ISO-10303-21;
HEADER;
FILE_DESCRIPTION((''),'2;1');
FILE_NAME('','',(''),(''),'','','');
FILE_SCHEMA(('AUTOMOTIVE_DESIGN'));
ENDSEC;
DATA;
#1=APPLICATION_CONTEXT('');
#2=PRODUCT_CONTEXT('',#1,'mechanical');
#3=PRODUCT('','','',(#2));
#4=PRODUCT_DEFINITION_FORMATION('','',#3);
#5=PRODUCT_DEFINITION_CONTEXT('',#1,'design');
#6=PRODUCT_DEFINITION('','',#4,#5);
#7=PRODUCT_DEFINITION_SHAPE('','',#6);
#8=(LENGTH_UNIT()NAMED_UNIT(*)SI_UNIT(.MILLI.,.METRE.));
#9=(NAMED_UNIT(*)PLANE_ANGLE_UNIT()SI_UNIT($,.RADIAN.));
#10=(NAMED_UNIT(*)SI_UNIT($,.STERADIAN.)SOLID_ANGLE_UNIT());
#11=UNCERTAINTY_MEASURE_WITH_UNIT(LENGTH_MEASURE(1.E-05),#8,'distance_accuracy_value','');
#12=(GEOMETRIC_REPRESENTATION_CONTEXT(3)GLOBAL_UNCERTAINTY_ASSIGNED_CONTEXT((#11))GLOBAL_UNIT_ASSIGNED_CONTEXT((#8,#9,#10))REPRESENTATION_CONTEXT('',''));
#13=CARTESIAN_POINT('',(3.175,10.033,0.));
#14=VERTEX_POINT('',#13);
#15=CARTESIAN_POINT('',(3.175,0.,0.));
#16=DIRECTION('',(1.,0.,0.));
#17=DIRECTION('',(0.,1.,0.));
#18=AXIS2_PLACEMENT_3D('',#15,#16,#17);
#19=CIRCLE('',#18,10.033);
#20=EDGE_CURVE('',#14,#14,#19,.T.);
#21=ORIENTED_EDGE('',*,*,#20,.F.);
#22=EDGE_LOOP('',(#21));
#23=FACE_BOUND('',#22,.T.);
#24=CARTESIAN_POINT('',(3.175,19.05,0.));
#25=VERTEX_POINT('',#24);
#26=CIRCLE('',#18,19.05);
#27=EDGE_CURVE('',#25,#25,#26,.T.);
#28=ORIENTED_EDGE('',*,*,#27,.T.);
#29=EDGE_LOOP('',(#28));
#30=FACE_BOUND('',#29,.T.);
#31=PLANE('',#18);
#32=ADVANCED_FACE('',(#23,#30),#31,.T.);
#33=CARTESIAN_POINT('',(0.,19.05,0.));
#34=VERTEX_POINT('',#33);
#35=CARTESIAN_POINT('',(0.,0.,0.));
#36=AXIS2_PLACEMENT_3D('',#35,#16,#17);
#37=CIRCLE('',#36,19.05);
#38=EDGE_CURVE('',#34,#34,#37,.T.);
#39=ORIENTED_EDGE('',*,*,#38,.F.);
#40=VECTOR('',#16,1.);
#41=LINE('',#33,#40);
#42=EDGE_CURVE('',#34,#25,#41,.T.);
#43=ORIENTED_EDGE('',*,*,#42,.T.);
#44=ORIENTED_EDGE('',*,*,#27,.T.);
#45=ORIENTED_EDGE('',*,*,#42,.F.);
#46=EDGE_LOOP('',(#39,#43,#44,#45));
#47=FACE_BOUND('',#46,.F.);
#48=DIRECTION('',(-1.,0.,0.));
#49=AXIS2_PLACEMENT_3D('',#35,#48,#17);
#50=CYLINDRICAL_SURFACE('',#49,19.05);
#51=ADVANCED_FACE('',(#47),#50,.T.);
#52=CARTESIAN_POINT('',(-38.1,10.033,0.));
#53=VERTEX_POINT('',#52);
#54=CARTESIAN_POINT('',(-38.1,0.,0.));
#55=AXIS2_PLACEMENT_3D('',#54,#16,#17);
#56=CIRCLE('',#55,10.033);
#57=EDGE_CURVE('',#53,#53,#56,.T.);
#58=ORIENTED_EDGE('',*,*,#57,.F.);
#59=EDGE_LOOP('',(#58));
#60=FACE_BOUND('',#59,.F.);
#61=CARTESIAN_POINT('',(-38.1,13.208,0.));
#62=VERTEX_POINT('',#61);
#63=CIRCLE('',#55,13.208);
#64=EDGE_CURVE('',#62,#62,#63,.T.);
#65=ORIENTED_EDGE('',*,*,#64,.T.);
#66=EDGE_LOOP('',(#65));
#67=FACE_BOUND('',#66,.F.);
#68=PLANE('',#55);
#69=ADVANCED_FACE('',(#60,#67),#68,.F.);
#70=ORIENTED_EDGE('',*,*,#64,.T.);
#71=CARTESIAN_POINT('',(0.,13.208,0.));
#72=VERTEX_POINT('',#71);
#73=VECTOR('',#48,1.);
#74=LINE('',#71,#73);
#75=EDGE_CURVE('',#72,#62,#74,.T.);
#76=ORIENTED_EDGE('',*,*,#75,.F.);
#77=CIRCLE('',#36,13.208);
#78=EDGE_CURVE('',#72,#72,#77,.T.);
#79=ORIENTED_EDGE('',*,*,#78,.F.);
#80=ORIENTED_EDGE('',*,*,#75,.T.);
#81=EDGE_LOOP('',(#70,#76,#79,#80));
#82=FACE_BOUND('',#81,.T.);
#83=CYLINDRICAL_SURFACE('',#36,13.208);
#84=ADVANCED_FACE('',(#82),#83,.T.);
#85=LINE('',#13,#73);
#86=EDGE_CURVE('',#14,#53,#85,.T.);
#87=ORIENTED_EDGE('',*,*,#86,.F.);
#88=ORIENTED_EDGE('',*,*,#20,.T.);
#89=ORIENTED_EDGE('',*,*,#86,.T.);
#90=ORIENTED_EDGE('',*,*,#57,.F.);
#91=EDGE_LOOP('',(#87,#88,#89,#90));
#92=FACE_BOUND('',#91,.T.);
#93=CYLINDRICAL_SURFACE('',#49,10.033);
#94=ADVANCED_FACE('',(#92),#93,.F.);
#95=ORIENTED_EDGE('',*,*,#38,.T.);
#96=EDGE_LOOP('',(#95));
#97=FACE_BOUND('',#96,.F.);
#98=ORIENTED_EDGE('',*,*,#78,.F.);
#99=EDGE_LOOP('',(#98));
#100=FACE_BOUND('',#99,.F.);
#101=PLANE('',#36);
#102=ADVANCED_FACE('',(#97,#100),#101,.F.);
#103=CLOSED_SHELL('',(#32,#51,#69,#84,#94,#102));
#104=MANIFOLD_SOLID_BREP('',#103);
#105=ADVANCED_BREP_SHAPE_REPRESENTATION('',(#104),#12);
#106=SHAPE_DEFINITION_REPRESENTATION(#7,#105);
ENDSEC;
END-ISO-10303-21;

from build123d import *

# Parameters (mm, degrees)
F0_R     = 13.208
F0_R_2   = 10.033
F1_DEPTH = 38.1
F2_R     = 19.05
F2_R_2   = 10.033
F3_DEPTH = 3.175


with BuildPart() as f1:
    # F0 (on Right) → F1 (new body)
    with BuildSketch(Plane.YZ):
        Circle(F0_R)
        Circle(F0_R_2, mode=Mode.SUBTRACT)
    extrude(amount=-F1_DEPTH)

    # F2 (on Right) → F3 (join)
    with BuildSketch(Plane.YZ):
        Circle(F2_R)
        Circle(F2_R_2, mode=Mode.SUBTRACT)
    extrude(amount=F3_DEPTH)


solid = f1.part
